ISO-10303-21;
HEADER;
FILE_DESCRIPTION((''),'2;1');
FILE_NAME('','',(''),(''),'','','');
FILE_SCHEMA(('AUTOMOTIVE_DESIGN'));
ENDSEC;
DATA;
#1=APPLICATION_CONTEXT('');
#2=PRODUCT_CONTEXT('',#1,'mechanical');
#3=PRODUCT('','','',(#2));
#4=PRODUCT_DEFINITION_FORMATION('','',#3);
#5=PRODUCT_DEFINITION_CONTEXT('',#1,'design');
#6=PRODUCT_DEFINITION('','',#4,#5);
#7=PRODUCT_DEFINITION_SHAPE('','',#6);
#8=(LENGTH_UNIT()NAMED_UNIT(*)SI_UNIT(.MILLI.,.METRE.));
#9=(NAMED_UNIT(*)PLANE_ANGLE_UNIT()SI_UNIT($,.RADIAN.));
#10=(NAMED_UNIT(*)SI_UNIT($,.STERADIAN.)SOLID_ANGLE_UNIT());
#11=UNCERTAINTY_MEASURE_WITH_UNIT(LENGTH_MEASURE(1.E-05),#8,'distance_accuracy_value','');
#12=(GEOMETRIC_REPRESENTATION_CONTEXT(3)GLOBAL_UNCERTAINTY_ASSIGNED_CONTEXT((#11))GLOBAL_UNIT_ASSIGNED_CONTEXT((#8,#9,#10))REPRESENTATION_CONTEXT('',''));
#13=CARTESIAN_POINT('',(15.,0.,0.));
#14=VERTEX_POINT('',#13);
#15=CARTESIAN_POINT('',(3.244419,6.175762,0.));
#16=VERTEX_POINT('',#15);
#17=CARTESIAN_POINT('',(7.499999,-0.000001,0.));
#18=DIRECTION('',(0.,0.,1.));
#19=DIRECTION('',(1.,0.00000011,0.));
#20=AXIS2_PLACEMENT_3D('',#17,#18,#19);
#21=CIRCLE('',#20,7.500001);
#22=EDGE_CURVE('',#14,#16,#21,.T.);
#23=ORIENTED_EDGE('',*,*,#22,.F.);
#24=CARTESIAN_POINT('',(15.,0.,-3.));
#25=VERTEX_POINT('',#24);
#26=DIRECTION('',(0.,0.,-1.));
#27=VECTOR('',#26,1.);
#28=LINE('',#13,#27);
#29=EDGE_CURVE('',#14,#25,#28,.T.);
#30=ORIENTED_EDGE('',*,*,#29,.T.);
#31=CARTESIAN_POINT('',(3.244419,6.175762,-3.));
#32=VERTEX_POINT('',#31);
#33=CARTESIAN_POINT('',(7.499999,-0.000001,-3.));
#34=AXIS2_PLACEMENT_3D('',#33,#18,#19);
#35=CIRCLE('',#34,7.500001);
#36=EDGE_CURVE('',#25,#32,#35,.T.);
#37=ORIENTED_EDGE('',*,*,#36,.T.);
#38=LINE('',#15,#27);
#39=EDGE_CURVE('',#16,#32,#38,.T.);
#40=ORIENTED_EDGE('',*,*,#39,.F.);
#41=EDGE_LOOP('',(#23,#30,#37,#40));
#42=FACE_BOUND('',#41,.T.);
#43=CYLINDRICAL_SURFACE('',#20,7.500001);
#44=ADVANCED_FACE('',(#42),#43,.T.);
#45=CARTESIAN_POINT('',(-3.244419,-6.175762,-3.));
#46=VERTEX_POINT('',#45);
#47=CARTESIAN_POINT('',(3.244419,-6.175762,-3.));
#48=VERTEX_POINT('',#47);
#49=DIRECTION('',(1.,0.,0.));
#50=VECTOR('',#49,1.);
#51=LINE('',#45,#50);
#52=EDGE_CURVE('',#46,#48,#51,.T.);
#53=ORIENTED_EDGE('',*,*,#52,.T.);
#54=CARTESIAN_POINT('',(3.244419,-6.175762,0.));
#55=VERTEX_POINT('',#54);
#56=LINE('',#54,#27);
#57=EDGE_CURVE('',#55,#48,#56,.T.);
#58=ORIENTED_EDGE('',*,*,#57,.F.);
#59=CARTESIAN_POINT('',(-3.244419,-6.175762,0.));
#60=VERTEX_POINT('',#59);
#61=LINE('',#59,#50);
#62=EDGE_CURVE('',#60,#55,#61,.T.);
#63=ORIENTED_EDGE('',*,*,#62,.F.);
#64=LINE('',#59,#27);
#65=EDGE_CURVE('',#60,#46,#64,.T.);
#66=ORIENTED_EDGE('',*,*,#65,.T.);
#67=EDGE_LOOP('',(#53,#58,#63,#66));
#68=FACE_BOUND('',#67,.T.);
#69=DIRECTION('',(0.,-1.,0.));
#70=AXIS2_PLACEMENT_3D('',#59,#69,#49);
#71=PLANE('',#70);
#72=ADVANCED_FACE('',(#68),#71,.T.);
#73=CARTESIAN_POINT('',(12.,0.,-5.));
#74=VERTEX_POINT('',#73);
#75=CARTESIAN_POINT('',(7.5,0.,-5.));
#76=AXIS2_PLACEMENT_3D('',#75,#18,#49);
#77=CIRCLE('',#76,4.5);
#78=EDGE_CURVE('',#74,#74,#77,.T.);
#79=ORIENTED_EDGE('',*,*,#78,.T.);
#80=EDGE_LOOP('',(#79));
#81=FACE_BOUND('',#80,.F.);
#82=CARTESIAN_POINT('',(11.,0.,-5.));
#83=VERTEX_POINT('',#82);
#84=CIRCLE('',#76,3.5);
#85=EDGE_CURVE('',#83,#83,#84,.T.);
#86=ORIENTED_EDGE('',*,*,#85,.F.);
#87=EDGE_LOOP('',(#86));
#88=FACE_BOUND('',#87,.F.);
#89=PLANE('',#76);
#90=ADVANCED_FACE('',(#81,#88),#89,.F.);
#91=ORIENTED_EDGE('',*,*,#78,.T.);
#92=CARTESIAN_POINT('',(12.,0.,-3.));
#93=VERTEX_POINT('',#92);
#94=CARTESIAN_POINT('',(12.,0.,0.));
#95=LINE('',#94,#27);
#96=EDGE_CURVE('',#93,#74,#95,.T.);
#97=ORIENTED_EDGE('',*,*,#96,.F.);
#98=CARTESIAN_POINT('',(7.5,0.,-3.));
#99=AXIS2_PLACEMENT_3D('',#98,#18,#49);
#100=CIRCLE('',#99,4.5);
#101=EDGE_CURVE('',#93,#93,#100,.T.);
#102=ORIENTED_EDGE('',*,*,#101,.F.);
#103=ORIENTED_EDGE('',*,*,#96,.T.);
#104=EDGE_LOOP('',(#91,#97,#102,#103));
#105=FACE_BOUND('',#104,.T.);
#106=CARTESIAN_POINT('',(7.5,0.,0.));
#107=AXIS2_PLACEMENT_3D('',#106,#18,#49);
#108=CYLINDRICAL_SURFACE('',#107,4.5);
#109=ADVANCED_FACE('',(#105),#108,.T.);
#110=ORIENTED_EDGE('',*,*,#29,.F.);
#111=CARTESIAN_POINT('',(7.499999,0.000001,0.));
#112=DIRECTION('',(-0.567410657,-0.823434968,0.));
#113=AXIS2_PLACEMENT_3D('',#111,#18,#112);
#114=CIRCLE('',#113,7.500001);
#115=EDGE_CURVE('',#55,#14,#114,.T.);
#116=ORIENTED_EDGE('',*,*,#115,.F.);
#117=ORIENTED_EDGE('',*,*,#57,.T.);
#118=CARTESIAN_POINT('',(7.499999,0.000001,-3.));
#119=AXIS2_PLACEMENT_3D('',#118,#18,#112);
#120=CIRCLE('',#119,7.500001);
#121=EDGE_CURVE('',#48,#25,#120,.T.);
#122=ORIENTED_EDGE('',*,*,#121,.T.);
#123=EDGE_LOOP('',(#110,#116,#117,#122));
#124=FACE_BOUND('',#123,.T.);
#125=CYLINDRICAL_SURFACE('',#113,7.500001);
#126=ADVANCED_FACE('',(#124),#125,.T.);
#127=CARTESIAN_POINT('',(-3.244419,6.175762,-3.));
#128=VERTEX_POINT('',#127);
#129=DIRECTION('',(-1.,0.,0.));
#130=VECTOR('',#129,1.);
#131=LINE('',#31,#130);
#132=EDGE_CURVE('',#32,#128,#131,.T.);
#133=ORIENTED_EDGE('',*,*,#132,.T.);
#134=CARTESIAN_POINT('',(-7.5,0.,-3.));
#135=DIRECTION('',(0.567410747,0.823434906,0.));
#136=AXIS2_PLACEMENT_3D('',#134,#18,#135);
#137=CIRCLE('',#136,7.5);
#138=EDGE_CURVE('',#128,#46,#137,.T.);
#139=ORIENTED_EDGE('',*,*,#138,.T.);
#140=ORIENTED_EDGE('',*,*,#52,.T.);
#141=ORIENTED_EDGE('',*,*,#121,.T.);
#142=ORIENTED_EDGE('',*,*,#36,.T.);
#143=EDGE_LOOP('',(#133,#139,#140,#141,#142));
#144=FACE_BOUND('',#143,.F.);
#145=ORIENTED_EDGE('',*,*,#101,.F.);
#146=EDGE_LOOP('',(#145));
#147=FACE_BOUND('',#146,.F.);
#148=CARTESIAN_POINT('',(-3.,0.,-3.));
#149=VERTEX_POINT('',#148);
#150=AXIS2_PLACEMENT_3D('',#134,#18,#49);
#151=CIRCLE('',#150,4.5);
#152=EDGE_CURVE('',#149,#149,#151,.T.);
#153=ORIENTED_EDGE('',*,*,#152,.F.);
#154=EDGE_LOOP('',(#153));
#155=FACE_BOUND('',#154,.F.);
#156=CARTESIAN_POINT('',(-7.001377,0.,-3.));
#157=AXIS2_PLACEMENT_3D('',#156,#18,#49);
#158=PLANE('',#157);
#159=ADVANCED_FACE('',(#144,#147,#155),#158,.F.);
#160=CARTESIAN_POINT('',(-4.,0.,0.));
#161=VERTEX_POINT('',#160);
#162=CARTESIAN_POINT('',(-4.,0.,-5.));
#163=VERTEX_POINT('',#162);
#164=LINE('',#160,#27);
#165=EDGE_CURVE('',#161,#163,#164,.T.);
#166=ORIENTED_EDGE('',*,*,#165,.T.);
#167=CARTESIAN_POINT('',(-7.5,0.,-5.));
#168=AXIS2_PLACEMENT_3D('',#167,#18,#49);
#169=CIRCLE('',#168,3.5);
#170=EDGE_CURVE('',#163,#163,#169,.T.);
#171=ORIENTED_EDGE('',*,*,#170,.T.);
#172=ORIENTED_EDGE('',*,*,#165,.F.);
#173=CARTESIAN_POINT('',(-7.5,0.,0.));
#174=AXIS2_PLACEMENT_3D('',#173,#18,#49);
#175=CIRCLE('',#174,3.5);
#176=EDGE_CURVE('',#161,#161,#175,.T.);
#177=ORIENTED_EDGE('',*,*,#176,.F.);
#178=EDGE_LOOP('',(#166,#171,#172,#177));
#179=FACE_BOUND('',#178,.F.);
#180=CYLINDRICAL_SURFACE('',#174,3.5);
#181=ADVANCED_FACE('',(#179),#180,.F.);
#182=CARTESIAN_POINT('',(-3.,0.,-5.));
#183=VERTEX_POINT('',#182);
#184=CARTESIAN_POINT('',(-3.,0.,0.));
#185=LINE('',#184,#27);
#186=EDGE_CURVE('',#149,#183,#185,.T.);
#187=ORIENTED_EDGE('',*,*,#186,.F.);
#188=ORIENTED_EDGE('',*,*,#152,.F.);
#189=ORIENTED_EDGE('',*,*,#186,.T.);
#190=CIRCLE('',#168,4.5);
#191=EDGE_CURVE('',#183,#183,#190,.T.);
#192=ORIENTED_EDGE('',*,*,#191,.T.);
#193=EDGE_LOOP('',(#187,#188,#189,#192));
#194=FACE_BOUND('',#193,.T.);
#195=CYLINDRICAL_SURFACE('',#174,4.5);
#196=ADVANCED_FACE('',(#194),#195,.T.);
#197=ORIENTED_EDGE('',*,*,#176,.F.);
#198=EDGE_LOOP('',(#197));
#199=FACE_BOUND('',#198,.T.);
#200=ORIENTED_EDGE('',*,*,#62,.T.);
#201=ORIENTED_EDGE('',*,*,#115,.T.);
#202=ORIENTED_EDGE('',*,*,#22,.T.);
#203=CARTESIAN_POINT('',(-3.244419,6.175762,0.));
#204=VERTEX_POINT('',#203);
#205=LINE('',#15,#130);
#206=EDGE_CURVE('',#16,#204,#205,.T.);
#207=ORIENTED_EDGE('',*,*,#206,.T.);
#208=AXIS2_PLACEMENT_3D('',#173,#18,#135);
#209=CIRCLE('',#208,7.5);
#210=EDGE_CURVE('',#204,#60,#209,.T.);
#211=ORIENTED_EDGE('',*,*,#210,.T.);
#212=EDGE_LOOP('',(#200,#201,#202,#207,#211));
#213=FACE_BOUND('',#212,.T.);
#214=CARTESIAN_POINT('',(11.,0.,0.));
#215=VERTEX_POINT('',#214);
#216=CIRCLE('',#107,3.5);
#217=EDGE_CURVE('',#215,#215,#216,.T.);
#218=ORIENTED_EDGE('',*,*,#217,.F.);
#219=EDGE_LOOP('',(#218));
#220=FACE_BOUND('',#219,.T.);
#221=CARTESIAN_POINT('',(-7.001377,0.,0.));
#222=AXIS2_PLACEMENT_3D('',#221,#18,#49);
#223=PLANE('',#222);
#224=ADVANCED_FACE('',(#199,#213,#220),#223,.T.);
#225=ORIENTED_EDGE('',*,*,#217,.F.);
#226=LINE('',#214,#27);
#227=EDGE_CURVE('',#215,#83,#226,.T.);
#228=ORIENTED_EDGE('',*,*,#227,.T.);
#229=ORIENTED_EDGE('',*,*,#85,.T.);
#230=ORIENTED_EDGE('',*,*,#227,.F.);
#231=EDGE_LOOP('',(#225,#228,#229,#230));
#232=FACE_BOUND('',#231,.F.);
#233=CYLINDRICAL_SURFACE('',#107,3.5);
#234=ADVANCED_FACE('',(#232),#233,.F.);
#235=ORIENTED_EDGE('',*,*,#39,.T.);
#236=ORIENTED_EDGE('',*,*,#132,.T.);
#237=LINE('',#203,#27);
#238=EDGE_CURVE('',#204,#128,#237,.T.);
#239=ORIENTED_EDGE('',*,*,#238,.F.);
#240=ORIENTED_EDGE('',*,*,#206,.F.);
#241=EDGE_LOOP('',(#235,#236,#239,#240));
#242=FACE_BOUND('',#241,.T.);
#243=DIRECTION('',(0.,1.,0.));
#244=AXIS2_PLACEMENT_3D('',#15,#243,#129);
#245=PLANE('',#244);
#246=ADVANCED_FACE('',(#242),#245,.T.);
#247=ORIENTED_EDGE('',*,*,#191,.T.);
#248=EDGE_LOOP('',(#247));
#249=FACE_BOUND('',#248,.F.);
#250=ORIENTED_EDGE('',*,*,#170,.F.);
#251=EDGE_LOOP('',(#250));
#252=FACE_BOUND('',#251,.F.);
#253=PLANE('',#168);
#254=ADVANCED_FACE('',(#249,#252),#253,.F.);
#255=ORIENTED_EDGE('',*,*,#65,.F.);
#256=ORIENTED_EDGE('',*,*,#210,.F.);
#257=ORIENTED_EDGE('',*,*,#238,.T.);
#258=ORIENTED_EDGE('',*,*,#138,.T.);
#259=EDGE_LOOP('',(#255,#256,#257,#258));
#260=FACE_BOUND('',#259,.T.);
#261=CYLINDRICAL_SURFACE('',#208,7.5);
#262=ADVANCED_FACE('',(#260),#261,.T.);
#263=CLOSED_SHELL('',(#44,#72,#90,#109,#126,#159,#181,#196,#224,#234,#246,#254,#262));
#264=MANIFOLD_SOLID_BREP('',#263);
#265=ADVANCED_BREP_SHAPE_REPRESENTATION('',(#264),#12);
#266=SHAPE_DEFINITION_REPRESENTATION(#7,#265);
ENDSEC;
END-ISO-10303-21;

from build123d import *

# Parameters (mm, degrees)
F0_R     = 4.5
F1_DEPTH = 3
F0_R_2   = 3.5
F2_DEPTH = 5


with BuildPart() as f1:
    # F0 (on Top) → F1 (new body)
    with BuildSketch(Plane.XY):
        with BuildLine():
            ThreePointArc((0, 0), (-0.860465, 3.488061), (-3.244419, 6.175762))
            ThreePointArc((-3.244419, 6.175762), (-15, 0), (-3.244419, -6.175762))
            ThreePointArc((-3.244419, -6.175762), (-0.860465, -3.488061), (0, 0))
        make_face()
        with Locations((-7.5, 0)):
            Circle(F0_R, mode=Mode.SUBTRACT)
        with BuildLine():
            ThreePointArc((15, 0), (10.988061, 6.639535), (3.244419, 6.175762))
            ThreePointArc((3.244419, 6.175762), (0.860465, 3.488061), (0, 0))
            ThreePointArc((0, 0), (0.860465, -3.488061), (3.244419, -6.175762))
            ThreePointArc((3.244419, -6.175762), (10.988061, -6.639535), (15, 0))
        make_face()
        with Locations((7.5, 0)):
            Circle(F0_R, mode=Mode.SUBTRACT)
        with BuildLine():
            Line((3.244419, 6.175762), (-3.244419, 6.175762))
            ThreePointArc((-3.244419, 6.175762), (-0.860465, 3.488061), (0, 0))
            ThreePointArc((0, 0), (0.860465, 3.488061), (3.244419, 6.175762))
        make_face()
        with BuildLine():
            ThreePointArc((3.244419, -6.175762), (0.860465, -3.488061), (0, 0))
            ThreePointArc((0, 0), (-0.860465, -3.488061), (-3.244419, -6.175762))
            Line((-3.244419, -6.175762), (3.244419, -6.175762))
        make_face()
    extrude(amount=-F1_DEPTH)

    # F0 (on Top) → F2 (join)
    with BuildSketch(Plane.XY):
        with Locations((7.5, 0)):
            Circle(F0_R)
        with Locations((7.5, 0)):
            Circle(F0_R_2, mode=Mode.SUBTRACT)
        with Locations((-7.5, 0)):
            Circle(F0_R)
        with Locations((-7.5, 0)):
            Circle(F0_R_2, mode=Mode.SUBTRACT)
    extrude(amount=-F2_DEPTH)


solid = f1.part
